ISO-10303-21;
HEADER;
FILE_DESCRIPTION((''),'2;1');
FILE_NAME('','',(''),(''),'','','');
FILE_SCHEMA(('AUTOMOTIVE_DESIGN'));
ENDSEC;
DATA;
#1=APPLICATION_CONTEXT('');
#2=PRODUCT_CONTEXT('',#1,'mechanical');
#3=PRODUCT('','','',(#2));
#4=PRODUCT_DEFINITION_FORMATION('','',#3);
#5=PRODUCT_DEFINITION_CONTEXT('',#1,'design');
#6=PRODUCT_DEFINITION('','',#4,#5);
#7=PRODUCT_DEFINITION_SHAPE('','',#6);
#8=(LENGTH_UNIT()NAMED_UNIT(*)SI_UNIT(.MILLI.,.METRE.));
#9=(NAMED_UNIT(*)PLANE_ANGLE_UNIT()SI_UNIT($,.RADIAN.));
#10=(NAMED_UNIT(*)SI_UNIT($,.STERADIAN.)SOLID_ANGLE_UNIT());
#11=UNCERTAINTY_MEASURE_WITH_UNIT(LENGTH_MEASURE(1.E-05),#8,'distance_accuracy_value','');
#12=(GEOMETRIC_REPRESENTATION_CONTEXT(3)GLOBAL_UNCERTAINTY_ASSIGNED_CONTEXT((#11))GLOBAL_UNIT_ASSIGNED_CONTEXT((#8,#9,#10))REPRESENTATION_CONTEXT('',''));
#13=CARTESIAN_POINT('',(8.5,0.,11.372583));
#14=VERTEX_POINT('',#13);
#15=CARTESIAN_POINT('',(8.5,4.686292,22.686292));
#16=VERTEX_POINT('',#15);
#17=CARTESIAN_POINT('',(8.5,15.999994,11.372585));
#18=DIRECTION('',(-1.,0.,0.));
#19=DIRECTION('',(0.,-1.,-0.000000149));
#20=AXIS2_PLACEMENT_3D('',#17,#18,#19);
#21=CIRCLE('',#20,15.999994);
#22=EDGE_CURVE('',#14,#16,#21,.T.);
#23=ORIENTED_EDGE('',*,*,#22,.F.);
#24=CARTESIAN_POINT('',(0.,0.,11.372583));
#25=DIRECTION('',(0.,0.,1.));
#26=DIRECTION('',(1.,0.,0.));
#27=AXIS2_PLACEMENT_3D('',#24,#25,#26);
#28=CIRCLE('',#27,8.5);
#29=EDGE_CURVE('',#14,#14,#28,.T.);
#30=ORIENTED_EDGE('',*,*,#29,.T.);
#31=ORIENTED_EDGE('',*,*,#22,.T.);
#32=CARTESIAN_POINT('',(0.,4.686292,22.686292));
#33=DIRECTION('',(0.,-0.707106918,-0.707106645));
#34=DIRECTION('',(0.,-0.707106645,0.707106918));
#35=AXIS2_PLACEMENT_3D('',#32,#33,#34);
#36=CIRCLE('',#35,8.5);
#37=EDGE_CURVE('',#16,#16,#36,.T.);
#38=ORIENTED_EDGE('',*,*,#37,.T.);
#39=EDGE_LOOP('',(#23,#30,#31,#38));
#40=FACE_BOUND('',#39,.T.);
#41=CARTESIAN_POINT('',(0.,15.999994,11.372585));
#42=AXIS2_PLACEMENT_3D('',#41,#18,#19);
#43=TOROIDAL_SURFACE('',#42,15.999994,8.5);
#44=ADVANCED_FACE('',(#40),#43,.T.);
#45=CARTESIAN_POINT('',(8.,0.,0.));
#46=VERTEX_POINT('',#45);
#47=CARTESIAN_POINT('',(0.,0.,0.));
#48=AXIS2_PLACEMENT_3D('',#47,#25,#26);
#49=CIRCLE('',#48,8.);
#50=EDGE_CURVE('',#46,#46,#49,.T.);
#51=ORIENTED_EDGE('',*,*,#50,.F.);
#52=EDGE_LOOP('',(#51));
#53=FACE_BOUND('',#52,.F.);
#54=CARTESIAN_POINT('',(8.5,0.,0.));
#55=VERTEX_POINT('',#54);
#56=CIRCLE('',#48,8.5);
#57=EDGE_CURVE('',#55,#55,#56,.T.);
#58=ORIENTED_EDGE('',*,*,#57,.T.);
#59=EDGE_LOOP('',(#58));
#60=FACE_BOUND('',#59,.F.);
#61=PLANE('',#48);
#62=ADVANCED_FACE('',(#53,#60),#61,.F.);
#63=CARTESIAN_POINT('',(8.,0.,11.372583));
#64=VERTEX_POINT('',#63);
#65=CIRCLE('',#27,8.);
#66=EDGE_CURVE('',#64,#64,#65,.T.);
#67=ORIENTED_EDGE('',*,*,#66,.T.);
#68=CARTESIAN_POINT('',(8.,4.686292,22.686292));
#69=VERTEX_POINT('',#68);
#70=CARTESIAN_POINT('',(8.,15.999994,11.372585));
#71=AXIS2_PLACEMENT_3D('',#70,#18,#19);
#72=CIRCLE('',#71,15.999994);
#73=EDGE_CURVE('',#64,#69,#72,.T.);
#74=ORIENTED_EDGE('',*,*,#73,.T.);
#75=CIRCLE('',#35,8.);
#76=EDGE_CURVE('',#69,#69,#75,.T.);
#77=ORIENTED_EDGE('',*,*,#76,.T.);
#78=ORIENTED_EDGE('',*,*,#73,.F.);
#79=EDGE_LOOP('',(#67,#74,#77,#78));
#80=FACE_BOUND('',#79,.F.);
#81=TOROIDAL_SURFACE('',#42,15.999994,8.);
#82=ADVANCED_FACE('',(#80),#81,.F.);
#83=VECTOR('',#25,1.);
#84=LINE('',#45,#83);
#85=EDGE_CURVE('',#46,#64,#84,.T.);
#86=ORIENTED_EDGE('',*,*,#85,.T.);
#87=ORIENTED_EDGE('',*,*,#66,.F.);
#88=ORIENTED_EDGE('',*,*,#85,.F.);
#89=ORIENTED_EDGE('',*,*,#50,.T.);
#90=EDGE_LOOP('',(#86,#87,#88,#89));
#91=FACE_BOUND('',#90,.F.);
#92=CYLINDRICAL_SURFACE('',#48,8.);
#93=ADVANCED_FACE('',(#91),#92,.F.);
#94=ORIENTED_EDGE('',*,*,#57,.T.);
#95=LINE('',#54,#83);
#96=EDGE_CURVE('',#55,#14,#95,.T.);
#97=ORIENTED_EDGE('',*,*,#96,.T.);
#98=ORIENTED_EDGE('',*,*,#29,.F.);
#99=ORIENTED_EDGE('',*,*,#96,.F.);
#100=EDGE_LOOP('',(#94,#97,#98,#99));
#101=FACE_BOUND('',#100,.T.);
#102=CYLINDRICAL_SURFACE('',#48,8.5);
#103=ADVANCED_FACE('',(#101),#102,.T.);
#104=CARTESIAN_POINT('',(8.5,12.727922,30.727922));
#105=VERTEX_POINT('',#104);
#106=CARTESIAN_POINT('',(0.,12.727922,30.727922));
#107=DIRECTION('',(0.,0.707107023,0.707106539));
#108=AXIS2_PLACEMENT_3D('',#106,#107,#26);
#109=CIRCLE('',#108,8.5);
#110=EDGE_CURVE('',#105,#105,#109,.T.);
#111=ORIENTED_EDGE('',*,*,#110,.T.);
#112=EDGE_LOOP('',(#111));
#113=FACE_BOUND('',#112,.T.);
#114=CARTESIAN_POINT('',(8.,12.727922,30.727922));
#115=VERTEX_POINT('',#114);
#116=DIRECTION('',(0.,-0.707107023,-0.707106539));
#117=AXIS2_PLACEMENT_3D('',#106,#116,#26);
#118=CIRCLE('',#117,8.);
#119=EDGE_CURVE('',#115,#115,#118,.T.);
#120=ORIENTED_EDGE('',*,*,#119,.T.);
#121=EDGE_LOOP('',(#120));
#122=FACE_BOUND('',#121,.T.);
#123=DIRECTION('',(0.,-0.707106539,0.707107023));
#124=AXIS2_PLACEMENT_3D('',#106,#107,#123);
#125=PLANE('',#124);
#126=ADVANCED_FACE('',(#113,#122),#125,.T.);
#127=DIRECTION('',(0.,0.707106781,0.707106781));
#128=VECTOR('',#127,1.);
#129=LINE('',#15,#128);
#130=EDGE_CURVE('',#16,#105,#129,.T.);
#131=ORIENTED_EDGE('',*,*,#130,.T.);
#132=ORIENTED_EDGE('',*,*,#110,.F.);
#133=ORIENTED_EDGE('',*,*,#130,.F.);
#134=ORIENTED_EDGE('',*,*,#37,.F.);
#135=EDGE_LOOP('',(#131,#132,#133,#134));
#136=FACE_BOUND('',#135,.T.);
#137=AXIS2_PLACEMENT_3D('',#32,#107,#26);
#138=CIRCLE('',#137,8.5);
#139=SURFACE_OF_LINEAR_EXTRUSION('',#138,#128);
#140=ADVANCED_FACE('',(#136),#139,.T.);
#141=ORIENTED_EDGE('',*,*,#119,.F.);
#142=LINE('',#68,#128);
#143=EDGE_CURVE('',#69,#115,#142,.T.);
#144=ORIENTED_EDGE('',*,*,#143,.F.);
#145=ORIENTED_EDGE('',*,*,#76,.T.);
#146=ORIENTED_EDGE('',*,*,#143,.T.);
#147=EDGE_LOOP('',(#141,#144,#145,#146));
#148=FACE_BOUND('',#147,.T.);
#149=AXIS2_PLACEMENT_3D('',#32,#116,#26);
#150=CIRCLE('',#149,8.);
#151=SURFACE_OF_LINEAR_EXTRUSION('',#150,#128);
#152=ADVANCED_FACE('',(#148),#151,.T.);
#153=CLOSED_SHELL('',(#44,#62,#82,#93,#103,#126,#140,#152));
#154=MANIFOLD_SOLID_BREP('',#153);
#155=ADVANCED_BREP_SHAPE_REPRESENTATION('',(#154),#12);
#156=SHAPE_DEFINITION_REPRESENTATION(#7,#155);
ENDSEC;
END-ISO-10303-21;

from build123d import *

# Parameters (mm, degrees)
F0_R   = 8.5
F0_R_2 = 8


with BuildPart() as f2:
    # F2: sweep along a path in F1
    with BuildLine(Plane.YZ) as f2_path:
        Line((0, 0), (0, 11.372583))
        ThreePointArc((0, 11.372583), (1.217927, 17.495518), (4.686292, 22.686292))
        Line((4.686292, 22.686292), (12.727922, 30.727922))
    # F0 (on Top) → F2 (sweep)
    with BuildSketch(Plane.XY):
        Circle(F0_R)
        Circle(F0_R_2, mode=Mode.SUBTRACT)
    sweep(path=f2_path.line)


solid = f2.part
